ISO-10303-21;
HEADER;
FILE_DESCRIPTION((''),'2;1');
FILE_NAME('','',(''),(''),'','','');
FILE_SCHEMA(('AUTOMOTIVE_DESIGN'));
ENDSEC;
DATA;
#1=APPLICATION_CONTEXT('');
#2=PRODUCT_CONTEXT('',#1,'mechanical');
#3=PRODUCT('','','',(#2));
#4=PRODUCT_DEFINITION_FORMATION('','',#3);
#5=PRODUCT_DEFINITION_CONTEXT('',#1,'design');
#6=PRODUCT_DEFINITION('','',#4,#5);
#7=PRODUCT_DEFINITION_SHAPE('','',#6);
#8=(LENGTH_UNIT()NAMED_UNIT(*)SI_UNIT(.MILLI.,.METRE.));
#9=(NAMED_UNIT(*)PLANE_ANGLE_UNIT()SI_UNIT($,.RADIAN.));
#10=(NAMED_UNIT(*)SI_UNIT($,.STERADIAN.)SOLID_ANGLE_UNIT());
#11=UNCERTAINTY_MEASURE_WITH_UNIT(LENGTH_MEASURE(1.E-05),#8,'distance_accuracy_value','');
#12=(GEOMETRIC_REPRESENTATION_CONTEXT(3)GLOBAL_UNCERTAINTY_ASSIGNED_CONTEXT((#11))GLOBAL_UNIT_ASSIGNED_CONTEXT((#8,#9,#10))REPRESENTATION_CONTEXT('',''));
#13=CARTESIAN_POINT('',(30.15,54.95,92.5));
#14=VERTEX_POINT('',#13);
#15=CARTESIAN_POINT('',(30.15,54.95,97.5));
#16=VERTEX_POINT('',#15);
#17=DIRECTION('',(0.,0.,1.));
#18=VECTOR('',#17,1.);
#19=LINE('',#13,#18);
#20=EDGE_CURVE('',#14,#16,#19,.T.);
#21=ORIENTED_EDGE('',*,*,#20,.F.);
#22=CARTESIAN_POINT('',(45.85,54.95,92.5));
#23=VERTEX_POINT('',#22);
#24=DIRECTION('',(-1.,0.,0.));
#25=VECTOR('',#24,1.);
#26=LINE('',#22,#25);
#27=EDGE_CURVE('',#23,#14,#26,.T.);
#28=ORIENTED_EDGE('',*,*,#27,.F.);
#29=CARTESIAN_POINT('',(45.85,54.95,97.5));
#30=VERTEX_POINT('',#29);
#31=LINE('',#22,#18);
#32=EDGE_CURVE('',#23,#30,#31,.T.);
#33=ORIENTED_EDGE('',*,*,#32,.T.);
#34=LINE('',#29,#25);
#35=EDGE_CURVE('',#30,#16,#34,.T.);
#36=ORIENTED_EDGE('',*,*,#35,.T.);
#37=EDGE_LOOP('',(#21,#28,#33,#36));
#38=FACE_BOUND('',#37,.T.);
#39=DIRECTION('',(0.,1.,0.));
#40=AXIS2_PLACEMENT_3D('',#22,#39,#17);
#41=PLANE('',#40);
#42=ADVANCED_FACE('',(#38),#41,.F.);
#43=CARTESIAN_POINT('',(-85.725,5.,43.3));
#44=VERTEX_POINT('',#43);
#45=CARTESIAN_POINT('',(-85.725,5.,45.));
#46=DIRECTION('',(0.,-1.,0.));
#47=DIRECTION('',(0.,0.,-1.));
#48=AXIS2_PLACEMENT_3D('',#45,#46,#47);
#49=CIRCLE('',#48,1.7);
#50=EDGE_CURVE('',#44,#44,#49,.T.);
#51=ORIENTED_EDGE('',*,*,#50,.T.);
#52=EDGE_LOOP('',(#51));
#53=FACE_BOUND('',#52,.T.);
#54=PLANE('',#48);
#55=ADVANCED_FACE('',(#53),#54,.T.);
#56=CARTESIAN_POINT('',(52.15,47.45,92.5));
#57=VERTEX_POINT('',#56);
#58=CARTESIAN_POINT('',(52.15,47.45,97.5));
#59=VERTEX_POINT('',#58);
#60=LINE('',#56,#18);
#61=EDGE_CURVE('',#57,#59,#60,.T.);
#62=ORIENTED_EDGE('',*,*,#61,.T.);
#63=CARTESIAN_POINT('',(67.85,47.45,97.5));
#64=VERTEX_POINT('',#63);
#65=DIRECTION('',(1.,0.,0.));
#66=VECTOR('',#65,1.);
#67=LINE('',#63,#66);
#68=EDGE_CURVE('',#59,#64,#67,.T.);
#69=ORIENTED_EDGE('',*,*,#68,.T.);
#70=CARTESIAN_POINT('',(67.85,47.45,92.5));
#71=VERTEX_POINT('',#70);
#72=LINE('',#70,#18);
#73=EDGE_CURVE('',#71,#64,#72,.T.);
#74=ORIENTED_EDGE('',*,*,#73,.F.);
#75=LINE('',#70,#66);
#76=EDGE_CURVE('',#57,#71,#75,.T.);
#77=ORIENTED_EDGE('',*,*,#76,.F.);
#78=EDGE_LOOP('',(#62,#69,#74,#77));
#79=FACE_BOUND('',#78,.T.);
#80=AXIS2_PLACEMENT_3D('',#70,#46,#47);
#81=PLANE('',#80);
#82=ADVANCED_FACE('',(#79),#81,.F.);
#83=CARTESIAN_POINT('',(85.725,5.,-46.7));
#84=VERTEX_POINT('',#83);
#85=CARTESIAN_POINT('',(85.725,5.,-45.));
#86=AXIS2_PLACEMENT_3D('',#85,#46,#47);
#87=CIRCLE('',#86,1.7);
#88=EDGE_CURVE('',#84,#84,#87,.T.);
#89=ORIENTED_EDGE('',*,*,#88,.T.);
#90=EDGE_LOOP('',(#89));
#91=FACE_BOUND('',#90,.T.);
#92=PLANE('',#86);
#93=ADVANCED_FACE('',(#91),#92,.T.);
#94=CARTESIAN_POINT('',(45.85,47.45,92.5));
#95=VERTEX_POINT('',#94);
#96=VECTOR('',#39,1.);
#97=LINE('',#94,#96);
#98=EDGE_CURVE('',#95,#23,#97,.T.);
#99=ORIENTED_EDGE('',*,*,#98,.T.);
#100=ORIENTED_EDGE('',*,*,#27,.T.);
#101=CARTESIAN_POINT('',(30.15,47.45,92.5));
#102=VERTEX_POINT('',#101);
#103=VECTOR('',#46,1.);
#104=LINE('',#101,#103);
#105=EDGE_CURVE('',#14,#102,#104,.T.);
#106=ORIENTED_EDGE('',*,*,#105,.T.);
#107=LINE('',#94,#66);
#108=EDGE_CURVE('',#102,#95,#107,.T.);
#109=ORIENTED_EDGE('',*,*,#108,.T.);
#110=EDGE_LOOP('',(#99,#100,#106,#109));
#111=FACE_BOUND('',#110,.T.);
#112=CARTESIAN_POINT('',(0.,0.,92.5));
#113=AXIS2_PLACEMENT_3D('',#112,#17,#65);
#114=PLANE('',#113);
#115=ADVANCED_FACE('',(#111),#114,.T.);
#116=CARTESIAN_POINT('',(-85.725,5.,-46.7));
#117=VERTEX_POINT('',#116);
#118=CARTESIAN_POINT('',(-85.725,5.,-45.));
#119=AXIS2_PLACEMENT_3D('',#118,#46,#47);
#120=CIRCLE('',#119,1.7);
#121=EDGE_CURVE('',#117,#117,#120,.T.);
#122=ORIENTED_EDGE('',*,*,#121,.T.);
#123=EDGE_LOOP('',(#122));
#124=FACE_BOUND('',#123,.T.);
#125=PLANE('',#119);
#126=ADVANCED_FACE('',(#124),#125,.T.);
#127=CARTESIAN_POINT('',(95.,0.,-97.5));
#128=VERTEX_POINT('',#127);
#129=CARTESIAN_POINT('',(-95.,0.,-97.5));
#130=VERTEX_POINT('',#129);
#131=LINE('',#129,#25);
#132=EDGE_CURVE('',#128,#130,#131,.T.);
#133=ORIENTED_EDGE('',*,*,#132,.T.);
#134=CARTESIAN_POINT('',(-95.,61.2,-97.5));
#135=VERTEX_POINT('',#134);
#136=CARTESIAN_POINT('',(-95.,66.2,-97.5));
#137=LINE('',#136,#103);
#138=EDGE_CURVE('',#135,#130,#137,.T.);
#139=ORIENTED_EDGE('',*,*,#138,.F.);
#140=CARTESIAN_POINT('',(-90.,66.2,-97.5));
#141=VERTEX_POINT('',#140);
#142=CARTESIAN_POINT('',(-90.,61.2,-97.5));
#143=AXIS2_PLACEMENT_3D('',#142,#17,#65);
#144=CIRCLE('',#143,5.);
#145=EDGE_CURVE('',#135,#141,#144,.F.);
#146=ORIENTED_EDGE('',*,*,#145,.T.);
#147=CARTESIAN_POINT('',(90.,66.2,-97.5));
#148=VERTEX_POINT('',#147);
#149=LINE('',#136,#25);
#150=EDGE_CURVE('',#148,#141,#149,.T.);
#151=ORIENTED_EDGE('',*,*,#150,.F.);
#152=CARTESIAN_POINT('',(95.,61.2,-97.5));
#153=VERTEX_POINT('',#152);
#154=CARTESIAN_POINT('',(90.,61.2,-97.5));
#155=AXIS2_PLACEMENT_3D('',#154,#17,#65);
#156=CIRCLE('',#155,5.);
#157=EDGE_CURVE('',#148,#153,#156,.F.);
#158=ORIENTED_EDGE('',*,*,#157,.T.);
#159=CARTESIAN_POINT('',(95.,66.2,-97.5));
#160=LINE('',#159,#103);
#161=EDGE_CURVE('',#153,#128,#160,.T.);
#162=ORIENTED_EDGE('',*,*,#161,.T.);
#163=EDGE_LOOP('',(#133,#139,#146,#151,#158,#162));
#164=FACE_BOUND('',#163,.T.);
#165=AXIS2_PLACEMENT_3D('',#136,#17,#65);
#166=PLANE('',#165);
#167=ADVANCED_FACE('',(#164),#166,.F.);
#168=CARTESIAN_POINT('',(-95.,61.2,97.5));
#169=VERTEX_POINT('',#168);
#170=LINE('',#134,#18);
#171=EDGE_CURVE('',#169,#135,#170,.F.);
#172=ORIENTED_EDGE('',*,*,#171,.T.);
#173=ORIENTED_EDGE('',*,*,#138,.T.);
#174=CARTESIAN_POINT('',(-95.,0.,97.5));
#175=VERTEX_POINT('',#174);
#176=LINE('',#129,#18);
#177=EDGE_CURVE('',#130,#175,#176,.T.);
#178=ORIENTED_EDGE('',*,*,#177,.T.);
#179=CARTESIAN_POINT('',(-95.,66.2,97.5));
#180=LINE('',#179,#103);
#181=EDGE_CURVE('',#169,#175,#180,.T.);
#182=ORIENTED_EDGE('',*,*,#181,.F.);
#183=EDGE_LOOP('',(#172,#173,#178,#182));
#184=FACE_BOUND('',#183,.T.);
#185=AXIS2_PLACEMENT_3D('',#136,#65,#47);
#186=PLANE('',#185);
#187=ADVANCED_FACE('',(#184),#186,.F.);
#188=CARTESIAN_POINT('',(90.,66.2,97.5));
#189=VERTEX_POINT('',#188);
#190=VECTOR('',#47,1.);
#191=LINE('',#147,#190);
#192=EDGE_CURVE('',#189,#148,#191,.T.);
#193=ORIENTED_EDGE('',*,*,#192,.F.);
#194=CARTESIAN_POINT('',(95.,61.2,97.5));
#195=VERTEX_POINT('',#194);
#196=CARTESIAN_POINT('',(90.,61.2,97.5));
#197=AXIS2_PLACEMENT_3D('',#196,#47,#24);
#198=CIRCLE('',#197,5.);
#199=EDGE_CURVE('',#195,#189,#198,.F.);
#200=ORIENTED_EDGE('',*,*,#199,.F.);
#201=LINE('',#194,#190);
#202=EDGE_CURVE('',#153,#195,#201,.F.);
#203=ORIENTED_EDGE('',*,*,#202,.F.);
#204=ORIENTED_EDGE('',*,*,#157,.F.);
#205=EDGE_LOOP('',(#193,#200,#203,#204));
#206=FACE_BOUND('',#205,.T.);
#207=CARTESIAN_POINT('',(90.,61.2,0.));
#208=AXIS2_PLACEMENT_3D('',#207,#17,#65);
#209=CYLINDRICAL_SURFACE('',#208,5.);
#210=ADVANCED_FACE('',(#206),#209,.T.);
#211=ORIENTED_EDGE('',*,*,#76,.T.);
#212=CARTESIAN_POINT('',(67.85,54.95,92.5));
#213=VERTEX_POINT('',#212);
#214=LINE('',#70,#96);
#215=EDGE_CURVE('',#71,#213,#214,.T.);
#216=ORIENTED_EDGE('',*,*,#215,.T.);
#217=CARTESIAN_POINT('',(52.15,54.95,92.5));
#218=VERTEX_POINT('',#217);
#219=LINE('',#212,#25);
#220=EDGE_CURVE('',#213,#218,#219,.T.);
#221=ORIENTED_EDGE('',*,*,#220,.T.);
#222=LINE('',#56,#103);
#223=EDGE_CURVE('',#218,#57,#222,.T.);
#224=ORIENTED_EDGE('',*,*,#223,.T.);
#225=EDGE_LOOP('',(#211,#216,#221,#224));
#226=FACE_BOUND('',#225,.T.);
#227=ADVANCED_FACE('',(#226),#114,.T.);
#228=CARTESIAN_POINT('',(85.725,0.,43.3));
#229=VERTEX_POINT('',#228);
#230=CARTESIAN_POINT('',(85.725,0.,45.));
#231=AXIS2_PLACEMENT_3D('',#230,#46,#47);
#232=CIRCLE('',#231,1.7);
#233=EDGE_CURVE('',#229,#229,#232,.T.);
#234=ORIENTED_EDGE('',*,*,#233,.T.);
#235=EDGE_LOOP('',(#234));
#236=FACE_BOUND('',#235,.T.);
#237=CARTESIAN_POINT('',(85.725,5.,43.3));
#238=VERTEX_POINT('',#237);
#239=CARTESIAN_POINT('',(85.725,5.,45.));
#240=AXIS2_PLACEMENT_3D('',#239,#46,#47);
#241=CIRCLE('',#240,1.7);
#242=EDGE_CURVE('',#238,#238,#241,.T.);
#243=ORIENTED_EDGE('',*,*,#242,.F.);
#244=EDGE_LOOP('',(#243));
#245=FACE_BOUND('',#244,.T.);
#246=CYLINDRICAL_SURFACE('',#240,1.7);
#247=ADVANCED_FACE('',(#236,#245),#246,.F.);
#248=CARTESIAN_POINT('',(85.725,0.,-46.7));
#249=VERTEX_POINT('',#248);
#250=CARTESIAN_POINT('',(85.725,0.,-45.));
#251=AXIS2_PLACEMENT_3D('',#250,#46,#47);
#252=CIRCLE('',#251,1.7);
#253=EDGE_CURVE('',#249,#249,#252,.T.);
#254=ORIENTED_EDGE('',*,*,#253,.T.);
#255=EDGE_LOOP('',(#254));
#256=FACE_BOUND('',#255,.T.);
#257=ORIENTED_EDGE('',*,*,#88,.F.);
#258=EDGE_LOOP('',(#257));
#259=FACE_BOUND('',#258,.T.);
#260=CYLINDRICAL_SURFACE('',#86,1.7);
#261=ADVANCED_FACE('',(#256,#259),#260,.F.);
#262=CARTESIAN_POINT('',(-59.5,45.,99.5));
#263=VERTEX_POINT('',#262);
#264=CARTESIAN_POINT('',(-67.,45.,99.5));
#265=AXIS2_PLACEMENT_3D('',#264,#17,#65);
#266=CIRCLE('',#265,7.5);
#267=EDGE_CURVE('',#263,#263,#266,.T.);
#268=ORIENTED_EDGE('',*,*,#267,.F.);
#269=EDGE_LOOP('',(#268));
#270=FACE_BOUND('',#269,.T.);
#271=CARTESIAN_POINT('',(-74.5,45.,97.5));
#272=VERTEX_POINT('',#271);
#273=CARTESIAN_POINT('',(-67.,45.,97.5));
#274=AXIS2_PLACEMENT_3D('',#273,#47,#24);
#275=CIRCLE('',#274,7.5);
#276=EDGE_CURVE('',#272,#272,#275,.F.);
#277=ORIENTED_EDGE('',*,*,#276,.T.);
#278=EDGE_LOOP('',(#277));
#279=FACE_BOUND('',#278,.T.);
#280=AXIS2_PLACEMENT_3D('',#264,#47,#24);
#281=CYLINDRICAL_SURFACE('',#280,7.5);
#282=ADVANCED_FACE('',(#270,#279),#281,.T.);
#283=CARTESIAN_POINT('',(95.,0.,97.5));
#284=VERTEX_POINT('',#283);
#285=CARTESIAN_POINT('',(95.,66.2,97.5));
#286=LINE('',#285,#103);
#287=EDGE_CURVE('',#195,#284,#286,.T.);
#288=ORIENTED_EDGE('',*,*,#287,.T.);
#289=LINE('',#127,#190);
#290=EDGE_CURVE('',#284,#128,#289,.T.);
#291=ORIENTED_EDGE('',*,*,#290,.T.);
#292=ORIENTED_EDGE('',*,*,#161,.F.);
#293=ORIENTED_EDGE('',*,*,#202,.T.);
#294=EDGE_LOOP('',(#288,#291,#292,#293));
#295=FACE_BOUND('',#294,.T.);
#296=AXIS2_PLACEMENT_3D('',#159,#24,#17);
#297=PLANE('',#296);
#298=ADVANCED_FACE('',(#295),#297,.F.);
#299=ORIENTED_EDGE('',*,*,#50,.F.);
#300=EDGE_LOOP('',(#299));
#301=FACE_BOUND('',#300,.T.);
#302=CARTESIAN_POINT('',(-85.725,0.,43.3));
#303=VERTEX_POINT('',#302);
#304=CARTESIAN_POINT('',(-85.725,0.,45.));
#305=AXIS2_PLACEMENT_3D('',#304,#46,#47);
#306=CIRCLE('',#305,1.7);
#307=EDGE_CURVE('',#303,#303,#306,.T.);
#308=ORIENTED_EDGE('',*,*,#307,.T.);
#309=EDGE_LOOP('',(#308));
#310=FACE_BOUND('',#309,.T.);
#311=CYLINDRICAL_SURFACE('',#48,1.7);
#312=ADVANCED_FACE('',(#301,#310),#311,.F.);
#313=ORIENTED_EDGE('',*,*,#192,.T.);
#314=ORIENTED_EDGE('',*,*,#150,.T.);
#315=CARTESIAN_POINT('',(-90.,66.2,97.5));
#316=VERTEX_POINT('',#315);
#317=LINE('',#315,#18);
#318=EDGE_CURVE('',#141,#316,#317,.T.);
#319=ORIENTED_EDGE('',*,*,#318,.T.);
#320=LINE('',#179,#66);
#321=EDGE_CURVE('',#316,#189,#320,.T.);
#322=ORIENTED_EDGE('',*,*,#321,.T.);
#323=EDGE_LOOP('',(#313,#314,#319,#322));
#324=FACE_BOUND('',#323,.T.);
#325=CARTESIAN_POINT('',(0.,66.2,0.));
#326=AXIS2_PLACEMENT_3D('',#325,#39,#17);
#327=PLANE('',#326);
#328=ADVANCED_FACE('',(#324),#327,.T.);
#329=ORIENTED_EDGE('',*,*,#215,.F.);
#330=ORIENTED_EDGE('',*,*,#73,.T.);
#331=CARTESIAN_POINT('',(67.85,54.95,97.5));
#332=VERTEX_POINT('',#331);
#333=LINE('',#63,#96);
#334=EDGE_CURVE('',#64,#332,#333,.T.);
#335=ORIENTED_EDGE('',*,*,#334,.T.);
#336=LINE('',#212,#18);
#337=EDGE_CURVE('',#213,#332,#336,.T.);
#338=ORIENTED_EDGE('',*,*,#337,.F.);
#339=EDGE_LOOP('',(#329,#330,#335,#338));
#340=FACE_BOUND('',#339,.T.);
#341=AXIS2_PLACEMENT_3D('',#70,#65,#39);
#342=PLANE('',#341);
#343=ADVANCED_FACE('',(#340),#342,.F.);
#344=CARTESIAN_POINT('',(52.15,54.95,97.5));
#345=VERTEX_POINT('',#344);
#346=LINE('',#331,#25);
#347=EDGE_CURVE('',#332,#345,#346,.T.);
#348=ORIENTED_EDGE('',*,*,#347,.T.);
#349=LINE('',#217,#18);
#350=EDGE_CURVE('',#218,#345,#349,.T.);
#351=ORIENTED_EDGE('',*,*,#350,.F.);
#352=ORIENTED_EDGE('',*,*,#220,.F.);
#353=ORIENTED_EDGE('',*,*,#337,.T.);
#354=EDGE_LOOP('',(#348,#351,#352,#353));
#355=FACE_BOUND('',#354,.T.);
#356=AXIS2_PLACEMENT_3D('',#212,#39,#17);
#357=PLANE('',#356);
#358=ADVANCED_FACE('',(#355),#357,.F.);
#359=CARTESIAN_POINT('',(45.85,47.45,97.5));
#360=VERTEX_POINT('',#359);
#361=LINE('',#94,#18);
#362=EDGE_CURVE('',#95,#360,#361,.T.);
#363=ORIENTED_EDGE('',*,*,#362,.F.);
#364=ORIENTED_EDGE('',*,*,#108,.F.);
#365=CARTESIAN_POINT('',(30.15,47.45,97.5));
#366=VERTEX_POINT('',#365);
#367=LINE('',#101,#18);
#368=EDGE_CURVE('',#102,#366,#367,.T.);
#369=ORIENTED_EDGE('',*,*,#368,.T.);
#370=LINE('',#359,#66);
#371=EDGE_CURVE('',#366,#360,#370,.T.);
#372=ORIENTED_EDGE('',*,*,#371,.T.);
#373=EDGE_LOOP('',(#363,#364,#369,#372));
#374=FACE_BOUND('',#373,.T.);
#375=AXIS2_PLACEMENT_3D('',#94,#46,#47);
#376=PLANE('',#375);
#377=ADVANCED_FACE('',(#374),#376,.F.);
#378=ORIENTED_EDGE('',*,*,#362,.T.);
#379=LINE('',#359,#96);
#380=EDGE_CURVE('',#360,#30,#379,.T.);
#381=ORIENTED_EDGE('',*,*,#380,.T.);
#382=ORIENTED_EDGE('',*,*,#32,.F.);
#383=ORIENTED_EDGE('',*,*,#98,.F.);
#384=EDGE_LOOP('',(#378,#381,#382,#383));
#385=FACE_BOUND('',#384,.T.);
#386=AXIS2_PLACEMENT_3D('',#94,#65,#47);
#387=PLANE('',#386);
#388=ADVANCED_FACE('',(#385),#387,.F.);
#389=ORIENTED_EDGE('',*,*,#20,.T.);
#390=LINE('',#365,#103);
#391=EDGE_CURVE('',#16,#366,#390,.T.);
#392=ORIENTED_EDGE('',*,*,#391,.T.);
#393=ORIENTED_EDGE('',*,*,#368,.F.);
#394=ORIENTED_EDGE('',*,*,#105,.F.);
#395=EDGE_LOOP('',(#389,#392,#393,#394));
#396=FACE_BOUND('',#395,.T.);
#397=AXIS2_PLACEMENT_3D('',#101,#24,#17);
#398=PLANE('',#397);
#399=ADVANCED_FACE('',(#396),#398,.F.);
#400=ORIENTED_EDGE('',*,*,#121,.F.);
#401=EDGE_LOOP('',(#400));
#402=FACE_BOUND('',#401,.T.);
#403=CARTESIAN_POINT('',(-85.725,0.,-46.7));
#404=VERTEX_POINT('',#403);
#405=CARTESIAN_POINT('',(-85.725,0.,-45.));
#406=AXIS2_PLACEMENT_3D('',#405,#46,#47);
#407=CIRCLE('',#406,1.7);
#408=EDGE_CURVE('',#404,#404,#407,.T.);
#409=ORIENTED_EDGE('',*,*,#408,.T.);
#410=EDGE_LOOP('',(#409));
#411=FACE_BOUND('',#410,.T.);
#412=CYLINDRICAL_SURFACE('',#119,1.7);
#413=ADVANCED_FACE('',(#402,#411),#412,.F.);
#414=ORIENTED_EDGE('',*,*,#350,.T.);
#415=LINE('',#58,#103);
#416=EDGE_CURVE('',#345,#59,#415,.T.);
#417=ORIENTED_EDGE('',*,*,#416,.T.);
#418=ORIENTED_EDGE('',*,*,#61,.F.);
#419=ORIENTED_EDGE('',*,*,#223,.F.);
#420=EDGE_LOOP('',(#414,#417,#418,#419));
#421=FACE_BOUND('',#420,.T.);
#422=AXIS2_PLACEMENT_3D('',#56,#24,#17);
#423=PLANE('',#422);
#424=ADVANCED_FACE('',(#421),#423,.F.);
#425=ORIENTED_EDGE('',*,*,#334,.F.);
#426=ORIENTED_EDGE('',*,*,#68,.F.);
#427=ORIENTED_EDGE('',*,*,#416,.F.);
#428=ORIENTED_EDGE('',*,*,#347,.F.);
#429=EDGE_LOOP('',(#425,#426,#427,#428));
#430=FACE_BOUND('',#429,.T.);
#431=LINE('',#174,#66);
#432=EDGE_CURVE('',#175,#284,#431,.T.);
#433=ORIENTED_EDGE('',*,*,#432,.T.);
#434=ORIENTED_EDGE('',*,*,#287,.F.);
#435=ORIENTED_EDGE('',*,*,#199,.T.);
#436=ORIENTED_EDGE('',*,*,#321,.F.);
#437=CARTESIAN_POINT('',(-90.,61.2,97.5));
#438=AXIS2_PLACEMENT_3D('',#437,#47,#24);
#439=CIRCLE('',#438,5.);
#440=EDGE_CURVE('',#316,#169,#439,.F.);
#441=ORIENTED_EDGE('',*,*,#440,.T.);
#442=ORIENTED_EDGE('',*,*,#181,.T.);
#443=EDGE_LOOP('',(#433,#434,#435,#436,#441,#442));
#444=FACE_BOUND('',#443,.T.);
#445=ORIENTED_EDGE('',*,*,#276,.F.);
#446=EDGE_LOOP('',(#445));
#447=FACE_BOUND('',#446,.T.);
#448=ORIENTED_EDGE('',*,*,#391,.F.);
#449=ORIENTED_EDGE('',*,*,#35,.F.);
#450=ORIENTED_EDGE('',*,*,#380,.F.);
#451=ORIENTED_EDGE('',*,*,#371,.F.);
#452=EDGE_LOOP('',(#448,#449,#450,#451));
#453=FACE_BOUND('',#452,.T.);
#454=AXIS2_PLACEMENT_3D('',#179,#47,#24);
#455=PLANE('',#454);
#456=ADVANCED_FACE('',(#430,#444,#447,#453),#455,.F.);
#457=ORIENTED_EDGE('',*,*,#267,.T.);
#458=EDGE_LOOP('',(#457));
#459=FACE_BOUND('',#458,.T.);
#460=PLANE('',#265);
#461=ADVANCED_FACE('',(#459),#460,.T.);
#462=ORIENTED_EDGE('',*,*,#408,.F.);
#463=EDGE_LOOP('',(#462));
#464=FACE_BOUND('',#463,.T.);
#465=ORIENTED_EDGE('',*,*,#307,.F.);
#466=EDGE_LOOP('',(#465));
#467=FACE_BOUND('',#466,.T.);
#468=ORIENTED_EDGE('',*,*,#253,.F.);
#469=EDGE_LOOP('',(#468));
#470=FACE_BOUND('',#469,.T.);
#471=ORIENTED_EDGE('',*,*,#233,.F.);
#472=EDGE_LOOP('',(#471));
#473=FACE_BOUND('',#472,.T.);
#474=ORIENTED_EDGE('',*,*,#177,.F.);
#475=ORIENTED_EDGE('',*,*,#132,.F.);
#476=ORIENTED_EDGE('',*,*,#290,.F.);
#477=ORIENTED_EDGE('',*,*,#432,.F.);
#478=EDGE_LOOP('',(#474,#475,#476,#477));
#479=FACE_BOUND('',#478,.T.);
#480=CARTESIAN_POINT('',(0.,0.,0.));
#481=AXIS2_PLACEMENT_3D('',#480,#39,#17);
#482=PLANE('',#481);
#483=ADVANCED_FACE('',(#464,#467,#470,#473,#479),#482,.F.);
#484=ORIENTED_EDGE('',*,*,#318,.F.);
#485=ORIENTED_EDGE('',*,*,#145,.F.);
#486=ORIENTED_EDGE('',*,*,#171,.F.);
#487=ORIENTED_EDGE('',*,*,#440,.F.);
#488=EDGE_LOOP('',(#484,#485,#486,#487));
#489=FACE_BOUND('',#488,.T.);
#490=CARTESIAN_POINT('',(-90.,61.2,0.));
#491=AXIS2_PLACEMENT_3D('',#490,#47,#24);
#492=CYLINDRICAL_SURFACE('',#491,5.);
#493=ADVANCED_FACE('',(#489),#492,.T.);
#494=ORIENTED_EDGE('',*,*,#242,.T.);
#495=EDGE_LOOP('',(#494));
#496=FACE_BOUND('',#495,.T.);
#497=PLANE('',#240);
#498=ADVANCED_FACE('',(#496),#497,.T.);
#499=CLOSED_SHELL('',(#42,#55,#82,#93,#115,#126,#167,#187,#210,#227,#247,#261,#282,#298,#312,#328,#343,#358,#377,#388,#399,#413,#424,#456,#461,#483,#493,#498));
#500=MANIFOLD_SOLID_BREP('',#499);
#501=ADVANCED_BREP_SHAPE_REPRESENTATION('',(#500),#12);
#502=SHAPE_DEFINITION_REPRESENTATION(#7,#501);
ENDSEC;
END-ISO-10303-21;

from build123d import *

# Parameters (mm, degrees)
SKETCH1_W           = 190
SKETCH1_H           = 195
BOSS_EXTRUDE1_DEPTH = 66.2
FILLET1_R           = 5
SKETCH2_R           = 1.7
CUT_EXTRUDE1_DEPTH  = 5
SKETCH3_R           = 7.5
BOSS_EXTRUDE2_DEPTH = 2
SKETCH4_W           = 15.7
SKETCH4_H           = 7.5
CUT_EXTRUDE2_DEPTH  = 5


with BuildPart() as part:
    # Sketch1 → Boss-Extrude1 (new body)
    with BuildSketch(Plane(origin=(0, 0, 0), x_dir=(1, 0, 0), z_dir=(0, 1, 0))):
        Rectangle(SKETCH1_W, SKETCH1_H)
    extrude(amount=BOSS_EXTRUDE1_DEPTH)

    # Fillet1
    fillet1_edges = [part.edges().sort_by_distance(p)[0] for p in [
        (-95, 66.2, 0),
        (95, 66.2, 0),
    ]]
    fillet(fillet1_edges, radius=FILLET1_R)

    # Sketch2 → Cut-Extrude1 (cut)
    with BuildSketch(Plane(origin=(0, 0, 0), x_dir=(-1, 0, 0), z_dir=(0, -1, 0))):
        with Locations(Location((85.725, -45, 0), (0, 0, 90))):
            Circle(SKETCH2_R)
        with Locations(Location((-85.725, -45, 0), (0, 0, 90))):
            Circle(SKETCH2_R)
        with Locations(Location((-85.725, 45, 0), (0, 0, 90))):
            Circle(SKETCH2_R)
        with Locations(Location((85.725, 45, 0), (0, 0, 90))):
            Circle(SKETCH2_R)
    extrude(amount=-CUT_EXTRUDE1_DEPTH, mode=Mode.SUBTRACT)

    # Sketch3 → Boss-Extrude2 (add)
    with BuildSketch(Plane.XY.offset(97.5)):
        with Locations(Location((-67, 45, 0), (0, 0, 180))):
            Circle(SKETCH3_R)
    extrude(amount=BOSS_EXTRUDE2_DEPTH)

    # Sketch4 → Cut-Extrude2 (cut)
    with BuildSketch(Plane.XY.offset(97.5)):
        with Locations((38, 51.2)):
            Rectangle(SKETCH4_W, SKETCH4_H)
        with Locations((60, 51.2)):
            Rectangle(SKETCH4_W, SKETCH4_H)
    extrude(amount=-CUT_EXTRUDE2_DEPTH, mode=Mode.SUBTRACT)


solid = part.part
